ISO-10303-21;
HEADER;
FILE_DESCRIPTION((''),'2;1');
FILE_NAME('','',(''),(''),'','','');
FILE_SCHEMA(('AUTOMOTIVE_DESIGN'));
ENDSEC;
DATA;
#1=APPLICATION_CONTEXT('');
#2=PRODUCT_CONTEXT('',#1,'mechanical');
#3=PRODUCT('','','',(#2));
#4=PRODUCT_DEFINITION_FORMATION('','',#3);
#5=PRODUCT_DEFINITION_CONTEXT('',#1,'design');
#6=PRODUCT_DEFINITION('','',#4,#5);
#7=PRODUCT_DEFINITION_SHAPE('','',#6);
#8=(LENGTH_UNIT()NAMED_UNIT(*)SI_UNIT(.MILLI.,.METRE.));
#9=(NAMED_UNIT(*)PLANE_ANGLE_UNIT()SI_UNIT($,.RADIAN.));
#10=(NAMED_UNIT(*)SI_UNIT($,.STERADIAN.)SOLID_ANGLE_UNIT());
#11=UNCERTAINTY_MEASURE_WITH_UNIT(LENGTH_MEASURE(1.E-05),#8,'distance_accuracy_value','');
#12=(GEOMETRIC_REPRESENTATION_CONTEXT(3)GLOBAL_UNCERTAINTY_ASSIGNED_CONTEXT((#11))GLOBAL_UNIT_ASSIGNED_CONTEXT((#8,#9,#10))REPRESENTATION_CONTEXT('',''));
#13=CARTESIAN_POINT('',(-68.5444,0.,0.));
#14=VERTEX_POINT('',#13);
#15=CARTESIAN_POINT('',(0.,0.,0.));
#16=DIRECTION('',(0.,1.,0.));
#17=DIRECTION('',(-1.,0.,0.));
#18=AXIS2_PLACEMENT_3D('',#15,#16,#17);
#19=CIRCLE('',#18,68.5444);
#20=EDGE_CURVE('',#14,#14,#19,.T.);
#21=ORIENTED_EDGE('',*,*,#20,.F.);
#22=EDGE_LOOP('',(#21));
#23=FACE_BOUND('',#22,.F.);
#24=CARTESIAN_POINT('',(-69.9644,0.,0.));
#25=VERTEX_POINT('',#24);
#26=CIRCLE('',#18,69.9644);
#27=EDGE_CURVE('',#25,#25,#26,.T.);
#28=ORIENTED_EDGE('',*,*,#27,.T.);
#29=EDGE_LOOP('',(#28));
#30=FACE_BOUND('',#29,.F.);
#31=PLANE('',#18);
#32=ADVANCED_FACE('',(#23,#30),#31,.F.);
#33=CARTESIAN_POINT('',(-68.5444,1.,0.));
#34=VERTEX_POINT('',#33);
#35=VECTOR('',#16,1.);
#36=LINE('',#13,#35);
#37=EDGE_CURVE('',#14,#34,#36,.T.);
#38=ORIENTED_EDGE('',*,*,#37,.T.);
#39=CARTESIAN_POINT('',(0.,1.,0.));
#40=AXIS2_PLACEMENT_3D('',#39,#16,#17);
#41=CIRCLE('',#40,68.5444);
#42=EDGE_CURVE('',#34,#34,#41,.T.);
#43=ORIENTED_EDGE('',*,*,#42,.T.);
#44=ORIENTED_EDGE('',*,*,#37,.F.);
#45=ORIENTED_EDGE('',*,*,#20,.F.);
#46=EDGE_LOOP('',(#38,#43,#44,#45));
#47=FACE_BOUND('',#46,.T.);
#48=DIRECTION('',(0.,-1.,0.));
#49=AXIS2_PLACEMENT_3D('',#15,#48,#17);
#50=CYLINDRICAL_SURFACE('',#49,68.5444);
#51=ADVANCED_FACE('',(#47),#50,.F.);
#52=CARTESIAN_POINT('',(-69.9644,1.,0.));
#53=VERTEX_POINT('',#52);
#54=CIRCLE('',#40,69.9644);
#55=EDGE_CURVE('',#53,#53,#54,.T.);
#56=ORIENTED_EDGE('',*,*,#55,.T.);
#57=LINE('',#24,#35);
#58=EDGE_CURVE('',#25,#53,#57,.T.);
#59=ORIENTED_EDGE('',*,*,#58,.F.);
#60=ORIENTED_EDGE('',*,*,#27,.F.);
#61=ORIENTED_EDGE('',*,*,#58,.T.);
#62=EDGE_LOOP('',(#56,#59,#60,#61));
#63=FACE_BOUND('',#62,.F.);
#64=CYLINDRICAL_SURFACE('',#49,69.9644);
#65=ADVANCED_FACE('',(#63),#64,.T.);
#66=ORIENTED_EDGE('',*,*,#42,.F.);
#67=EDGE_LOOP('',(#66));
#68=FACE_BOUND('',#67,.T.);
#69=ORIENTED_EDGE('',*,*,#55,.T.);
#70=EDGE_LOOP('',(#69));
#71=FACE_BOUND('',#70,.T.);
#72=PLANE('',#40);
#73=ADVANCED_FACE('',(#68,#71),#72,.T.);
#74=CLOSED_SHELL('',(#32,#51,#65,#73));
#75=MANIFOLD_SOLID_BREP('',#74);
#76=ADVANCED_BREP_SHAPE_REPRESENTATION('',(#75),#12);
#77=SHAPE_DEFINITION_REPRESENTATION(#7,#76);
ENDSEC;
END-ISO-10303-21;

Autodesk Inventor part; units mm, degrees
ref_plane "YZ Plane" through (0, 0, 0) normal (1, 0, 0) x (0, 1, 0)
ref_plane "XZ Plane" through (0, 0, 0) normal (0, 1, 0) x (-1, 0, 0)
ref_plane "XY Plane" through (0, 0, 0) normal (0, 0, 1) x (1, 0, 0)
sketch "Sketch1" plane through (0, 0, 0) normal (0, 1, 0) x (-1, 0, 0)
  line L0 (0, -60.0444) -> (52, 30.0222) construction
  line L1 (52, 30.0222) -> (-52, 30.0222) construction
  line L2 (-52, 30.0222) -> (0, -60.0444) construction
  line L3 (-26, -15.0111) -> (52, 30.0222) construction
  line L4 (0, -60.0444) -> (0, 30.0222) construction
  circle A0 centre (0, -60.0444) radius 2
  circle A1 centre (-52, 30.0222) radius 2
  circle A2 centre (52, 30.0222) radius 2
  circle A3 centre (0, 0) radius 68.5444
  line L5 (86.3467, 1.8023) -> (86.3467, 82.3467)
  line L6 (-86.3467, 1.8023) -> (-86.3467, 82.3467)
  line L7 (82.3467, 86.3467) -> (-82.3467, 86.3467)
  circle A4 centre (52, 30.0222) radius 5.75
  circle A5 centre (52, 30.0222) radius 3.75
  circle A6 centre (-52, 30.0222) radius 3.75
  circle A7 centre (-52, 30.0222) radius 5.75
  circle A8 centre (0, -60.0444) radius 3.75
  circle A9 centre (0, -60.0444) radius 5.75
  circle A10 centre (-82.3467, 82.3467) radius 2
  circle A11 centre (82.3467, 82.3467) radius 2
  circle A12 centre (0, -80.5444) radius 2
  arc A13 (-86.3467, 1.8023) -> (86.3467, 1.8023) centre (0, 1.8023) ccw
  line L8 (84.9267, 1.8023) -> (84.9267, 75.9404)
  arc A14 (78.934, 82.123) -> (82.123, 78.934) centre (82.3467, 82.3467) ccw
  line L9 (75.9404, 84.9267) -> (-75.9404, 84.9267)
  arc A15 (-82.123, 78.934) -> (-78.934, 82.123) centre (-82.3467, 82.3467) ccw
  line L10 (-84.9267, 75.9404) -> (-84.9267, 1.8023)
  arc A16 (3.4014, -80.1879) -> (-3.4014, -80.1879) centre (0, -80.5444) ccw
  arc A17 (-82.123, 78.934) -> (-84.9267, 75.9404) centre (-81.9267, 75.9404) ccw
  arc A18 (-75.9404, 84.9267) -> (-78.934, 82.123) centre (-75.9404, 81.9267) ccw
  arc A19 (78.934, 82.123) -> (75.9404, 84.9267) centre (75.9404, 81.9267) ccw
  arc A20 (84.9267, 75.9404) -> (82.123, 78.934) centre (81.9267, 75.9404) ccw
  arc A21 (6.6188, -82.8661) -> (84.9267, 1.8023) centre (0, 1.8023) ccw
  arc A22 (-84.9267, 1.8023) -> (-6.6188, -82.8661) centre (0, 1.8023) ccw
  line L11 (80.7667, 1.8023) -> (80.7667, 74.1638)
  arc A23 (75.1175, 80.0674) -> (80.0674, 75.1175) centre (82.3467, 82.3467) ccw
  line L12 (74.1638, 80.7667) -> (-74.1638, 80.7667)
  arc A24 (-80.0674, 75.1175) -> (-75.1175, 80.0674) centre (-82.3467, 82.3467) ccw
  line L13 (-80.7667, 74.1638) -> (-80.7667, 1.8023)
  arc A25 (-80.7667, 1.8023) -> (-8.1443, -78.5528) centre (0, 1.8023) ccw
  arc A26 (7.106, -77.9059) -> (-7.106, -77.9059) centre (0, -80.5444) ccw
  arc A27 (8.1443, -78.5528) -> (80.7667, 1.8023) centre (0, 1.8023) ccw
  arc A28 (-80.0674, 75.1175) -> (-80.7667, 74.1638) centre (-79.7667, 74.1638) ccw
  arc A29 (-74.1638, 80.7667) -> (-75.1175, 80.0674) centre (-74.1638, 79.7667) ccw
  arc A30 (75.1175, 80.0674) -> (74.1638, 80.7667) centre (74.1638, 79.7667) ccw
  arc A31 (80.7667, 74.1638) -> (80.0674, 75.1175) centre (79.7667, 74.1638) ccw
  arc A32 (7.106, -77.9059) -> (8.1443, -78.5528) centre (8.0434, -77.5579) ccw
  arc A33 (-8.1443, -78.5528) -> (-7.106, -77.9059) centre (-8.0434, -77.5579) ccw
  arc A34 (-6.6188, -82.8661) -> (-3.4014, -80.1879) centre (-6.385, -79.8752) ccw
  arc A35 (3.4014, -80.1879) -> (6.6188, -82.8661) centre (6.385, -79.8752) ccw
  arc A36 (86.3467, 82.3467) -> (82.3467, 86.3467) centre (82.3467, 82.3467) ccw
  arc A37 (-82.3467, 86.3467) -> (-86.3467, 82.3467) centre (-82.3467, 82.3467) ccw
  circle A38 centre (61.8467, 61.8467) radius 17.5 construction
  line L14 (-82.3467, 82.3467) -> (-86.3467, 86.3467) construction
  circle A39 centre (-84.468, 84.468) radius 1 construction
  circle A40 centre (61.8467, 61.8467) radius 18.92 construction
  line L15 (0, 0) -> (82.3467, 82.3467) construction
  circle A41 centre (0, 0) radius 69.9644
  arc A42 (73.8614, 79.3467) -> (79.3467, 73.8614) centre (82.3467, 82.3467) ccw
  line L16 (73.8614, 79.3467) -> (-73.8614, 79.3467)
  arc A43 (-79.3467, 73.8614) -> (-73.8614, 79.3467) centre (-82.3467, 82.3467) ccw
  line L17 (-79.3467, 73.8614) -> (-79.3467, 1.8023)
  arc A44 (-79.3467, 1.8023) -> (-8.3178, -77.1073) centre (0, 1.8023) ccw
  arc A45 (8.3178, -77.1073) -> (-8.3178, -77.1073) centre (0, -80.5444) ccw
  arc A46 (8.3178, -77.1073) -> (79.3467, 1.8023) centre (0, 1.8023) ccw
  line L18 (79.3467, 1.8023) -> (79.3467, 73.8614)
  point P0 (0, -84.5444)
  point P1 (84.9267, 84.5917)
  point P2 (80.1017, 84.9267)
  point P3 (-80.1017, 84.9267)
  point P4 (-84.9267, 80.1017)
  point P5 (0, -68.5444)
  dimension "d0" = 4
  dimension "d1" = 104
  dimension "d2" = 6.5
  dimension "d28" = 11.5
  dimension "d29" = 7.5
  dimension "d40" = 4
  dimension "d45" = 1.42
  dimension "d47" = 1.42
  dimension "d48" = 1.42
  dimension "d49" = 1.42
  dimension "d50" = 1.42
  dimension "d61" = 4.16
  dimension "d64" = 1
  dimension "d70" = 4
  dimension "d87" = 3
  dimension "d90" = 12
  dimension "ReservoirID" = 35
  dimension "d109" = 45
  dimension "d110" = 2
  dimension "d112" = 37.84
  dimension "d114" = 45
extrude "Extrusion6" add sketch "Sketch1" along normal blind 1 contours A41
properties part number "camera_base_test_print"
